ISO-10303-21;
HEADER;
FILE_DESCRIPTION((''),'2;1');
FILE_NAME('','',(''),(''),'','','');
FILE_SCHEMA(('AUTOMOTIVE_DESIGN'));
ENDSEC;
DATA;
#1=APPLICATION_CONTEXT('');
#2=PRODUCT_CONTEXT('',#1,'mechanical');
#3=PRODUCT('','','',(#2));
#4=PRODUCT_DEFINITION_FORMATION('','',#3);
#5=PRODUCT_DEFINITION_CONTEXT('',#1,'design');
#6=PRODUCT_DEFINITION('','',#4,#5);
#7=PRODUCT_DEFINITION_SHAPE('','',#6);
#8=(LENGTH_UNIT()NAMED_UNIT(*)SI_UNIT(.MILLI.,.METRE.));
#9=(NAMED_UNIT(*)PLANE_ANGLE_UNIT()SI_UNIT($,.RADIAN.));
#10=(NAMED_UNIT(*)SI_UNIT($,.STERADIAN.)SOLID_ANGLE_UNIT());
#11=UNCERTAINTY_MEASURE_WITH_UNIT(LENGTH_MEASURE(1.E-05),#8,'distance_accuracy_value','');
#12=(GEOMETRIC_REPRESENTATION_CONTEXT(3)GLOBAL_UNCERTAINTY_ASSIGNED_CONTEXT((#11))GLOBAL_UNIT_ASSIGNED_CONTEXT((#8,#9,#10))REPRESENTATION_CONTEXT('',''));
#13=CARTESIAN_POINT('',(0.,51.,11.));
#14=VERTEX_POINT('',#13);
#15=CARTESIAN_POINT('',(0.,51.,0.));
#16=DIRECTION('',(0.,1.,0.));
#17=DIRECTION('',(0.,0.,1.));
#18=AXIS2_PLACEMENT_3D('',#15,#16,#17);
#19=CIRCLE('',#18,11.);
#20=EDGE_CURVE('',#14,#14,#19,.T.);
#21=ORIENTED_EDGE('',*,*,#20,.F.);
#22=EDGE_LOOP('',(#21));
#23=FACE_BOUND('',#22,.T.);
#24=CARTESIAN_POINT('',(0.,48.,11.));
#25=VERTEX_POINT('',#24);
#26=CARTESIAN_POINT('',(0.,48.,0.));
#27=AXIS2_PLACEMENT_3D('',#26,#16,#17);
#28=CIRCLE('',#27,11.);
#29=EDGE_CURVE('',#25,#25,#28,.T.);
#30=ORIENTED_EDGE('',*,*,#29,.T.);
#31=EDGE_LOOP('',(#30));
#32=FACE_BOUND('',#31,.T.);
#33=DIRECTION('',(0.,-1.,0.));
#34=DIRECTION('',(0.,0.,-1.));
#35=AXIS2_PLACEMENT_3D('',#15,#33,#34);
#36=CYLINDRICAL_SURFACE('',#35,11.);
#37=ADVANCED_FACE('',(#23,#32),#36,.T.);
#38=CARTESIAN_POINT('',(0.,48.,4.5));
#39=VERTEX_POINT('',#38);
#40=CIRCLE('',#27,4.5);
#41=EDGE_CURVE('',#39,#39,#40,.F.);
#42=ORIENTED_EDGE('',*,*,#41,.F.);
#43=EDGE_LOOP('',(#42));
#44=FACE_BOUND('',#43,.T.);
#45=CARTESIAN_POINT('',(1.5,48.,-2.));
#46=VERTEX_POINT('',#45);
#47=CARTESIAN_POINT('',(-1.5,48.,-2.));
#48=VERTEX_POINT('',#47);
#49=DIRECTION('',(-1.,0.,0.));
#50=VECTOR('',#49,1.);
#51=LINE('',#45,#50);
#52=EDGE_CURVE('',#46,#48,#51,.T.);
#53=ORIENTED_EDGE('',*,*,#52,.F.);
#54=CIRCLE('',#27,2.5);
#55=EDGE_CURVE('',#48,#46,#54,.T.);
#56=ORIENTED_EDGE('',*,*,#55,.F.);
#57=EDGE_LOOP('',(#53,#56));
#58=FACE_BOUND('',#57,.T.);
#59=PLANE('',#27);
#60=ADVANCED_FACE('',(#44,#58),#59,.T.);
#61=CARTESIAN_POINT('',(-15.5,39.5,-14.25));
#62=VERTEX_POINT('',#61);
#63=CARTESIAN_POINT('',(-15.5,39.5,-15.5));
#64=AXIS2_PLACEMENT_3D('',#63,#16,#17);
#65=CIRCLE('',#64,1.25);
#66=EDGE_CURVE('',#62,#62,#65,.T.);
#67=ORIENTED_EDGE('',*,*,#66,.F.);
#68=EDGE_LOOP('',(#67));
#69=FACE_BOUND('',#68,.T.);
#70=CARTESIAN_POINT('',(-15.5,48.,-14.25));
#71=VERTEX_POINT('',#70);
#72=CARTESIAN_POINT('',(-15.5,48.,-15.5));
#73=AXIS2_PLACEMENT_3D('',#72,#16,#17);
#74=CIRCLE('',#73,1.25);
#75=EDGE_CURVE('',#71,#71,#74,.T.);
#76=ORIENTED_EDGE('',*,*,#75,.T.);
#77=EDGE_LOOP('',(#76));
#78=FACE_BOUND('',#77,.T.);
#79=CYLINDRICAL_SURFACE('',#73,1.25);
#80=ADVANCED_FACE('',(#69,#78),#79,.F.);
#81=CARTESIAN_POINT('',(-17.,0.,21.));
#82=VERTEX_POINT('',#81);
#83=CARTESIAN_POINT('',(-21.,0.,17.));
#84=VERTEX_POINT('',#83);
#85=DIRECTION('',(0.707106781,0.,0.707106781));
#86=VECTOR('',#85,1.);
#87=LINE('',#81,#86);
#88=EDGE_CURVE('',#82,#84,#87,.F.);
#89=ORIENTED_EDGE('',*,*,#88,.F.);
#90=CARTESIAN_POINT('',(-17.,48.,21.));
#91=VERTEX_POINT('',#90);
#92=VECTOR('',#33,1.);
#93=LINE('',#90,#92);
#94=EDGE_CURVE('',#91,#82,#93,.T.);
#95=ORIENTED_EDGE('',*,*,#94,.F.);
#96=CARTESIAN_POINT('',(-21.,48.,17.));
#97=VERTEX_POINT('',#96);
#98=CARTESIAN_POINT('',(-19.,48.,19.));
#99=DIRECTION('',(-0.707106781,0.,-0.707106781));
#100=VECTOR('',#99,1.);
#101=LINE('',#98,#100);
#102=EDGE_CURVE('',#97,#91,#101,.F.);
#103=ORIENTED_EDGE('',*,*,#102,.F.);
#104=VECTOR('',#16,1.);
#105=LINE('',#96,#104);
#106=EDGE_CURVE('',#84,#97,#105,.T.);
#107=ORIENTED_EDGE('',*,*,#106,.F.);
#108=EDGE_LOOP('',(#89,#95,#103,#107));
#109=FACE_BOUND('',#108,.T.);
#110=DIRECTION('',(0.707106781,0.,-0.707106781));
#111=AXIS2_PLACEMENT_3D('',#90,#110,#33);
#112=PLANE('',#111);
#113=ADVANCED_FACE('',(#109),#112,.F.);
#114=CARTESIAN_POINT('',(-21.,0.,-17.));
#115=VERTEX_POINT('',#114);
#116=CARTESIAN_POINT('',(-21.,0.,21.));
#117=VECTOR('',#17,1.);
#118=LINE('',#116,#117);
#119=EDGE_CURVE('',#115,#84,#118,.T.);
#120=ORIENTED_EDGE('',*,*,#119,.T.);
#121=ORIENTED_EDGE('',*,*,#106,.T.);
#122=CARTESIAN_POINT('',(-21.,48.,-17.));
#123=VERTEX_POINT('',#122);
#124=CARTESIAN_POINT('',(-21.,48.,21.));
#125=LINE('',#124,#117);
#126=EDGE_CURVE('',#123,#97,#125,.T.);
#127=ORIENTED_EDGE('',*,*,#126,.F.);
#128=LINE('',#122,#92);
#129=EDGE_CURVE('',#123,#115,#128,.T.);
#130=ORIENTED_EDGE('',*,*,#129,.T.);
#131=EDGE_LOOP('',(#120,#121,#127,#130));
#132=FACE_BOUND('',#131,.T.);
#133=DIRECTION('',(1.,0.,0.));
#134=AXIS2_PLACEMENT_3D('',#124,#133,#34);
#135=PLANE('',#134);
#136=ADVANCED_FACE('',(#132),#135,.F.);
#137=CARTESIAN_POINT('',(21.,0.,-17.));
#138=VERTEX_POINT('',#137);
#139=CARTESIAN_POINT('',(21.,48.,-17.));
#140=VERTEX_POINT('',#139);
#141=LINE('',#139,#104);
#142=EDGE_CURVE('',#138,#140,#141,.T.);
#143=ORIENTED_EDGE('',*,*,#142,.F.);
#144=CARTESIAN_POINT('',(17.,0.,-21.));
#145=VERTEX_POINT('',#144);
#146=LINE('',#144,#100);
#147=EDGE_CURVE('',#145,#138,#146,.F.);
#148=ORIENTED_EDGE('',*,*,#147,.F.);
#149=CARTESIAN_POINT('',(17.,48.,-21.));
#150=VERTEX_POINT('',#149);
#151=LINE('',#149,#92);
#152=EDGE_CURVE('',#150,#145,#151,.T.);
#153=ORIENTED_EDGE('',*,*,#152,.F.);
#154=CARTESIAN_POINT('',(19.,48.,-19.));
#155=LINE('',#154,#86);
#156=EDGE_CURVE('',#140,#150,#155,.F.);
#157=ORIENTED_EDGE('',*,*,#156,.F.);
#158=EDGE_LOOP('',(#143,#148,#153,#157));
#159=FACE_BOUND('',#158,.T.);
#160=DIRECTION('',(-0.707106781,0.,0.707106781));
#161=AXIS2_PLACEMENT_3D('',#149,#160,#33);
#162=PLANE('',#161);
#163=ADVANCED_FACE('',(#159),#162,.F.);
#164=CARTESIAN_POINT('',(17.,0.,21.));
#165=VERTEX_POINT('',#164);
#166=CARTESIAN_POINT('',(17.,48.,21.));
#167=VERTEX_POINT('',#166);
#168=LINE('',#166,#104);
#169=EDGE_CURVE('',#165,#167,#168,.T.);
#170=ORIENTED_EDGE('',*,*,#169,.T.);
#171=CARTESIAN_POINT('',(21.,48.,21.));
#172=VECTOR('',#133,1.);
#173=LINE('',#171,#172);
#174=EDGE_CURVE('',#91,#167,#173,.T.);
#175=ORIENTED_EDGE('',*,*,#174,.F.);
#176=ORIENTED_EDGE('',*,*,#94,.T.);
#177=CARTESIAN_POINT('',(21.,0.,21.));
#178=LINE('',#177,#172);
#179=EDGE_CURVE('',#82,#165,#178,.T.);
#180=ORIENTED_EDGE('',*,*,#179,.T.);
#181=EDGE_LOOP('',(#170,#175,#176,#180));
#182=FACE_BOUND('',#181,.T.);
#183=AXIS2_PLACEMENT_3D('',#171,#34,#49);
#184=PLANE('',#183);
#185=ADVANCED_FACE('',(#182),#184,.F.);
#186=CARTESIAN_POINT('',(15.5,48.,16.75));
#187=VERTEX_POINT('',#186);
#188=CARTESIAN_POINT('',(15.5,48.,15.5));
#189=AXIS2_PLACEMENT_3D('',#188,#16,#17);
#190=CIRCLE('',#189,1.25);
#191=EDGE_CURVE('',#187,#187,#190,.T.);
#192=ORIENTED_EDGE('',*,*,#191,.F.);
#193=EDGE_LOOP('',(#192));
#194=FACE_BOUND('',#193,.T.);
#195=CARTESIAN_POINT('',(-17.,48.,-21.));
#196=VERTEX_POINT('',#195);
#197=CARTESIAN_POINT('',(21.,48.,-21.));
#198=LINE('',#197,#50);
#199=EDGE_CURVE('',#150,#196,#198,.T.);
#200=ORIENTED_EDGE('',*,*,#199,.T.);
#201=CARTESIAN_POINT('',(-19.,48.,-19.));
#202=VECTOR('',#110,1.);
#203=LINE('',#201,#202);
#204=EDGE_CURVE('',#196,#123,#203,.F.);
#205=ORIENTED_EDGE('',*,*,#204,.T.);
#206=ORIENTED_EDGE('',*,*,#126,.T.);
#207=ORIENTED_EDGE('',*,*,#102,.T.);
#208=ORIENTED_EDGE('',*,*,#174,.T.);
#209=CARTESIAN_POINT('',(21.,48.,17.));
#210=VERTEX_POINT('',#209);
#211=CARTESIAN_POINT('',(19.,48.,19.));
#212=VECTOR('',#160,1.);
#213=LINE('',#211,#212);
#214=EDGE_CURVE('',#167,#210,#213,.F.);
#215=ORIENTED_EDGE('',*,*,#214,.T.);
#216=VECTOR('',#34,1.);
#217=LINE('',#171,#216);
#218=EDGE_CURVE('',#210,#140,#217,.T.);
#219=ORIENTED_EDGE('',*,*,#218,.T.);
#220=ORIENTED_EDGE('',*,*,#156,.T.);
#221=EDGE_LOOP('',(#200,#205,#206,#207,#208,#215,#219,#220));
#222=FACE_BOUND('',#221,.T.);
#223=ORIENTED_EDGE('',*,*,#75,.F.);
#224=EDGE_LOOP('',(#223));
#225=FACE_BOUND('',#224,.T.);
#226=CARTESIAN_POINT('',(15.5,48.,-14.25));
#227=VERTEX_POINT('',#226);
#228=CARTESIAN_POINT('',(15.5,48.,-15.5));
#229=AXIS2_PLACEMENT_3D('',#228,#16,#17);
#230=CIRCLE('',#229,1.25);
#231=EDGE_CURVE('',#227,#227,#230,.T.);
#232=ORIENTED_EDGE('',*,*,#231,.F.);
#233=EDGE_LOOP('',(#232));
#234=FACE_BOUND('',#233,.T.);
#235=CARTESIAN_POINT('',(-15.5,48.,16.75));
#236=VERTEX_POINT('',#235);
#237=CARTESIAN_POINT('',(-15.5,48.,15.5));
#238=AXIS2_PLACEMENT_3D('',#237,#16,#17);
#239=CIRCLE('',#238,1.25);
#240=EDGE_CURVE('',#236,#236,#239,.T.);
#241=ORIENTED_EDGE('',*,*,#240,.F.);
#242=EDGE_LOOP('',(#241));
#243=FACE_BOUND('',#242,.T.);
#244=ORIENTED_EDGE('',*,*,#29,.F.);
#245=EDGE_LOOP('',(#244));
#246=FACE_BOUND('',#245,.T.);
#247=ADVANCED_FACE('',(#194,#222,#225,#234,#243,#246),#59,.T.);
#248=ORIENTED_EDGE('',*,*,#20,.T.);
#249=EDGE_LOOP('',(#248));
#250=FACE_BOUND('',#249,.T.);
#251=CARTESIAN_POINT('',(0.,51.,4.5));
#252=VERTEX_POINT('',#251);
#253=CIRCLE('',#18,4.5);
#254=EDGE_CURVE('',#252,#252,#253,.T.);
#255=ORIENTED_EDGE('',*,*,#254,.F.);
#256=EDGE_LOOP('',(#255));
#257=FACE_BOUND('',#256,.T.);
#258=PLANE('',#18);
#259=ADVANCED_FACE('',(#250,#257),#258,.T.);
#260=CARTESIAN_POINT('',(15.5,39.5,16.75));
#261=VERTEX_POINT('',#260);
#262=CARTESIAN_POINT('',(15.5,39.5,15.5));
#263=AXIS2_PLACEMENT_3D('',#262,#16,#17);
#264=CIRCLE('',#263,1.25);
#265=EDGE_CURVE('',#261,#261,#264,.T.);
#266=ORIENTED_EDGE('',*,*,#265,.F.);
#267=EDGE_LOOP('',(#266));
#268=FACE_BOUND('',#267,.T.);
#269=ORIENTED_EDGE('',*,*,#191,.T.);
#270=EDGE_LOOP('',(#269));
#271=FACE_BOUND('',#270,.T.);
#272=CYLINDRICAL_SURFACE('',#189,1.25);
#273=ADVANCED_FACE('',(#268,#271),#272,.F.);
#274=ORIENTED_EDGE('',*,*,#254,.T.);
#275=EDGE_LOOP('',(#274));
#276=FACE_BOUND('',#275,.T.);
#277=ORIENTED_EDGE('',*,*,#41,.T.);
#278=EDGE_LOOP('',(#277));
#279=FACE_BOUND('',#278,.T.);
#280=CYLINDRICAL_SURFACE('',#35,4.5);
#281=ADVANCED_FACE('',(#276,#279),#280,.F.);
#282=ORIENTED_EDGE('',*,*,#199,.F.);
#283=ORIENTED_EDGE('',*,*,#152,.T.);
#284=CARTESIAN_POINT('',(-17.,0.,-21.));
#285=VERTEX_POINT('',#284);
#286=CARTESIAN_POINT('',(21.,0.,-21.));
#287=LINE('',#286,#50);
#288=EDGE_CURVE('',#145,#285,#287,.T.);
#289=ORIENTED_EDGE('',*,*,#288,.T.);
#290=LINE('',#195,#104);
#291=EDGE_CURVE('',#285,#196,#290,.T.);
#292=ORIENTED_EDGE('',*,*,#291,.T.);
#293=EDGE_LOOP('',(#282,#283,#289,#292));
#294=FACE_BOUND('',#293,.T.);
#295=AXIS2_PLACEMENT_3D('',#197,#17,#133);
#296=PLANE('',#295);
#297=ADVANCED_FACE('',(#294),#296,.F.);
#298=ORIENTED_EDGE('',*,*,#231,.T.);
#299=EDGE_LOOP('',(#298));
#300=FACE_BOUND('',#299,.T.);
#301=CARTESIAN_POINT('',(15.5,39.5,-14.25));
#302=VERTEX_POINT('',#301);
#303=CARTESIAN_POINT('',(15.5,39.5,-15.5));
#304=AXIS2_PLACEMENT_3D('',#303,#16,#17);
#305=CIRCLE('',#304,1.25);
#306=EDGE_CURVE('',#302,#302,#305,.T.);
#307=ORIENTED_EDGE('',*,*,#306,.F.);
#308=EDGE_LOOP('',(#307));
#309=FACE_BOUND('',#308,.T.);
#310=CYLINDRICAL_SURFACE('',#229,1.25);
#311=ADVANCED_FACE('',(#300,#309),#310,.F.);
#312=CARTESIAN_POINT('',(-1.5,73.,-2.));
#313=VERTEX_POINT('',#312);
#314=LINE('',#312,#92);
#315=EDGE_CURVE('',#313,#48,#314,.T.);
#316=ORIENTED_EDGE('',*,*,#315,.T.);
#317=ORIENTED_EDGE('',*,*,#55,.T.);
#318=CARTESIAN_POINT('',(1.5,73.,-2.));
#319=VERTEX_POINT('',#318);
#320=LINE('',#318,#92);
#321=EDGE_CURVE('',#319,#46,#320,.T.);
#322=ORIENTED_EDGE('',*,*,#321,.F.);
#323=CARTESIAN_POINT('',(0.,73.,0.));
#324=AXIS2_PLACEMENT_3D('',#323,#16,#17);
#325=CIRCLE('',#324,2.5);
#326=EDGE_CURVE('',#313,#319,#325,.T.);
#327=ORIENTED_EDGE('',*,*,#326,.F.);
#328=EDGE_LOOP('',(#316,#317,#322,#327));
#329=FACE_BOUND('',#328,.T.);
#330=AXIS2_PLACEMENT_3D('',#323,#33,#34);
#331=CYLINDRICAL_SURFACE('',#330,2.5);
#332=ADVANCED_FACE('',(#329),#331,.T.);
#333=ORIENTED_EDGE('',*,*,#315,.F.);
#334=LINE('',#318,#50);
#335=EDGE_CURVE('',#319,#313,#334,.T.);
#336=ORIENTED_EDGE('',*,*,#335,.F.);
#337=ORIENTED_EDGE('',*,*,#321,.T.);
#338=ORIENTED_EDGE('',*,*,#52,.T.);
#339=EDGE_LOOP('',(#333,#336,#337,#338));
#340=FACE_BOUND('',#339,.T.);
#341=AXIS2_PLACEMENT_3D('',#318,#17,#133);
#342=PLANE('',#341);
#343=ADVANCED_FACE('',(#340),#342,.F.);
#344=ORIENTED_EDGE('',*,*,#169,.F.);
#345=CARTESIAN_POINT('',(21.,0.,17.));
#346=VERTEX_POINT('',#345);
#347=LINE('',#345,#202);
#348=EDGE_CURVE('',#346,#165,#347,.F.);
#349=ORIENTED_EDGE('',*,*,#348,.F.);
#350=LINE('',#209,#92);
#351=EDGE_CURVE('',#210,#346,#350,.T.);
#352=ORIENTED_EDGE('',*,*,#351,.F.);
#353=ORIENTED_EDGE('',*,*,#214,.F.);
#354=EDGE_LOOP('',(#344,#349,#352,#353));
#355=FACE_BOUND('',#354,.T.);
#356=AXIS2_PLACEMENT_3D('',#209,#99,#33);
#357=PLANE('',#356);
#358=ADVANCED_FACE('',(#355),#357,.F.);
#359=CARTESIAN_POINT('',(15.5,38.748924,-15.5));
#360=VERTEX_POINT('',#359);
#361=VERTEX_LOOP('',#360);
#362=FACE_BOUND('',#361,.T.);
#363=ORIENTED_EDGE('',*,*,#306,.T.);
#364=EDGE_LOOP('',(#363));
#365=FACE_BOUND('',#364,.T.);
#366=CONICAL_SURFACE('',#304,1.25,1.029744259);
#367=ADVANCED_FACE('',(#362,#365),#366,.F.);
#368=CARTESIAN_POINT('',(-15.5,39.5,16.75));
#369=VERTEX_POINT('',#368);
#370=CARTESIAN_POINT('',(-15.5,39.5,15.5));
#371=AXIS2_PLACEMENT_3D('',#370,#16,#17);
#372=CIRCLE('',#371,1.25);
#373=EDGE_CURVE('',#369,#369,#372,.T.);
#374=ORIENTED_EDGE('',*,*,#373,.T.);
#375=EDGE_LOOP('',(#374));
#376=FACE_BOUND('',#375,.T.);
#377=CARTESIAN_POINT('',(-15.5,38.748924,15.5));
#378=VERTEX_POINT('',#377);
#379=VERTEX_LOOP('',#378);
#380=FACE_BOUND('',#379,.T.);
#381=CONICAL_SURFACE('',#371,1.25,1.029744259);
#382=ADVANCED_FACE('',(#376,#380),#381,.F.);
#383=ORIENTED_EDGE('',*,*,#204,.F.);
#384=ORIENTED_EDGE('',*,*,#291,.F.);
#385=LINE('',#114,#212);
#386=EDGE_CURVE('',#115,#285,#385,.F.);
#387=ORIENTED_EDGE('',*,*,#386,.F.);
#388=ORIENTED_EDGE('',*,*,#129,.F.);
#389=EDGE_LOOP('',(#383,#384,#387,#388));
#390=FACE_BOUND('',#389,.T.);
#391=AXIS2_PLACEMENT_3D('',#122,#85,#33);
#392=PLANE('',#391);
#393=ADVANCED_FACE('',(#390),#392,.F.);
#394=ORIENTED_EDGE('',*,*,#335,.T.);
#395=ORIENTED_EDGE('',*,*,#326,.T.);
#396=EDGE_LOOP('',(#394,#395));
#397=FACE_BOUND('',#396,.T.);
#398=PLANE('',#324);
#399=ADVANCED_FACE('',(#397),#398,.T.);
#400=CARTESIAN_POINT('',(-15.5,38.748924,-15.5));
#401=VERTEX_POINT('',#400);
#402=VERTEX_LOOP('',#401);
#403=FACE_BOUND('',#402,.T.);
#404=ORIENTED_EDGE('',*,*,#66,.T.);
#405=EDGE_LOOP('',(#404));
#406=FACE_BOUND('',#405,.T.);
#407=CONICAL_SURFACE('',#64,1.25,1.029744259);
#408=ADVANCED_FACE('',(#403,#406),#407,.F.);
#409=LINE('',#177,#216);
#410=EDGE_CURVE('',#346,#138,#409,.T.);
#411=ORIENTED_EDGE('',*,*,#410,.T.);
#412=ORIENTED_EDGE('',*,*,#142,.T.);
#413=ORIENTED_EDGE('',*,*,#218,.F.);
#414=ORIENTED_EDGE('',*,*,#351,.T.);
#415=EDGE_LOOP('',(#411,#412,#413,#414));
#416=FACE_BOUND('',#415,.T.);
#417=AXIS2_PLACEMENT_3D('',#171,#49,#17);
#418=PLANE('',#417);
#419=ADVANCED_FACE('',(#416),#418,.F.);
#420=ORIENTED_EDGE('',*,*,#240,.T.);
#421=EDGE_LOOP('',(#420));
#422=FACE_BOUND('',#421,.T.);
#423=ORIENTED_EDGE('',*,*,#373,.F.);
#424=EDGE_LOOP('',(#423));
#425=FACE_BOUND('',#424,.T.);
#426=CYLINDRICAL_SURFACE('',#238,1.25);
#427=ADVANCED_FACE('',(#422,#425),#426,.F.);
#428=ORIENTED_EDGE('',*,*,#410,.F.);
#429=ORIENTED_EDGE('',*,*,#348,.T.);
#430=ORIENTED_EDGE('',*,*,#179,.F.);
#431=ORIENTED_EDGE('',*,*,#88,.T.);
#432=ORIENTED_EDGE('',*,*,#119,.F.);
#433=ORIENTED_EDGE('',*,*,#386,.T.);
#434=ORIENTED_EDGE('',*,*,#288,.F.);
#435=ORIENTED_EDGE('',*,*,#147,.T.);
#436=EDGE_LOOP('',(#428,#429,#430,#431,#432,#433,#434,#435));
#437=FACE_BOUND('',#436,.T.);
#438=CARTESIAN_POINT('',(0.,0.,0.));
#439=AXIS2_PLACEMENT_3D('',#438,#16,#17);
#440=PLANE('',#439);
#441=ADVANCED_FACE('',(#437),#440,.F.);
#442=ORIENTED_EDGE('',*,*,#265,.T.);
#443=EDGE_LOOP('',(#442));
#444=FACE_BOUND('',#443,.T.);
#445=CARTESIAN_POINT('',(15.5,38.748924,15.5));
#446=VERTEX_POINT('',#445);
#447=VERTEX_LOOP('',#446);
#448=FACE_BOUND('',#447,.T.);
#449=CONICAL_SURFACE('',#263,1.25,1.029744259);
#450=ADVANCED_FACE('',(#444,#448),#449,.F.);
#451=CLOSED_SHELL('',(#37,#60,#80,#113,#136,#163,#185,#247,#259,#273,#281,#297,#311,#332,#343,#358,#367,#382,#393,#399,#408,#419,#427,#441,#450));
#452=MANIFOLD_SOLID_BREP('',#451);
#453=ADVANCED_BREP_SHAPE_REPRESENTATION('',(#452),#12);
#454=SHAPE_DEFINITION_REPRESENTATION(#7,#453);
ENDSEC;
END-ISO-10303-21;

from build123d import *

# Parameters (mm, degrees)
CROQUIS1_W                = 42
CROQUIS1_H                = 42
SALIENTE_EXTRUIR1_DEPTH   = 48
CROQUIS2_R                = 11
CROQUIS2_R_2              = 4.5
SALIENTE_EXTRUIR2_DEPTH   = 3
SALIENTE_EXTRUIR3_DEPTH   = 25
TALADRO_ROSCADO_M31_D     = 2.5
TALADRO_ROSCADO_M31_DEPTH = 8.5
TALADRO_ROSCADO_M31_TIP   = 0.751075774
CHAFL_N1_SIZE             = 4


with BuildPart() as part:
    # Croquis1 → Saliente-Extruir1 (new body)
    with BuildSketch(Plane(origin=(0, 0, 0), x_dir=(1, 0, 0), z_dir=(0, 1, 0))):
        Rectangle(CROQUIS1_W, CROQUIS1_H)
    extrude(amount=SALIENTE_EXTRUIR1_DEPTH)

    # Croquis2 → Saliente-Extruir2 (add)
    with BuildSketch(Plane(origin=(0, 48, 0), x_dir=(1, 0, 0), z_dir=(0, 1, 0))):
        with Locations(Location((0, 0, 0), (0, 0, 270))):
            Circle(CROQUIS2_R)
        with Locations(Location((0, 0, 0), (0, 0, 270))):
            Circle(CROQUIS2_R_2, mode=Mode.SUBTRACT)
    extrude(amount=SALIENTE_EXTRUIR2_DEPTH)

    # Croquis3 → Saliente-Extruir3 (add)
    with BuildSketch(Plane(origin=(0, 48, 0), x_dir=(1, 0, 0), z_dir=(0, 1, 0))):
        with BuildLine():
            Line((1.5, 2), (-1.5, 2))
            ThreePointArc((-1.5, 2), (0, -2.5), (1.5, 2))
        make_face()
    extrude(amount=SALIENTE_EXTRUIR3_DEPTH)

    # Taladro roscado M31
    with Locations(Plane(origin=(0, 48, 0), x_dir=(1, 0, 0), z_dir=(0, 1, 0))):
        with Locations((-15.5, 15.5), (-15.5, -15.5), (15.5, -15.5), (15.5, 15.5)):
            Hole(TALADRO_ROSCADO_M31_D / 2, depth=TALADRO_ROSCADO_M31_DEPTH)
            with Locations((0, 0, -(TALADRO_ROSCADO_M31_DEPTH + TALADRO_ROSCADO_M31_TIP / 2))):  # 118° drill point
                Cone(0, TALADRO_ROSCADO_M31_D / 2, TALADRO_ROSCADO_M31_TIP, mode=Mode.SUBTRACT)

    # Chaflán1
    chafl_n1_edges = [part.edges().sort_by_distance(p)[0] for p in [
        (-21, 24, -21),
        (21, 24, -21),
        (21, 24, 21),
        (-21, 24, 21),
    ]]
    chamfer(chafl_n1_edges, length=CHAFL_N1_SIZE)


solid = part.part
